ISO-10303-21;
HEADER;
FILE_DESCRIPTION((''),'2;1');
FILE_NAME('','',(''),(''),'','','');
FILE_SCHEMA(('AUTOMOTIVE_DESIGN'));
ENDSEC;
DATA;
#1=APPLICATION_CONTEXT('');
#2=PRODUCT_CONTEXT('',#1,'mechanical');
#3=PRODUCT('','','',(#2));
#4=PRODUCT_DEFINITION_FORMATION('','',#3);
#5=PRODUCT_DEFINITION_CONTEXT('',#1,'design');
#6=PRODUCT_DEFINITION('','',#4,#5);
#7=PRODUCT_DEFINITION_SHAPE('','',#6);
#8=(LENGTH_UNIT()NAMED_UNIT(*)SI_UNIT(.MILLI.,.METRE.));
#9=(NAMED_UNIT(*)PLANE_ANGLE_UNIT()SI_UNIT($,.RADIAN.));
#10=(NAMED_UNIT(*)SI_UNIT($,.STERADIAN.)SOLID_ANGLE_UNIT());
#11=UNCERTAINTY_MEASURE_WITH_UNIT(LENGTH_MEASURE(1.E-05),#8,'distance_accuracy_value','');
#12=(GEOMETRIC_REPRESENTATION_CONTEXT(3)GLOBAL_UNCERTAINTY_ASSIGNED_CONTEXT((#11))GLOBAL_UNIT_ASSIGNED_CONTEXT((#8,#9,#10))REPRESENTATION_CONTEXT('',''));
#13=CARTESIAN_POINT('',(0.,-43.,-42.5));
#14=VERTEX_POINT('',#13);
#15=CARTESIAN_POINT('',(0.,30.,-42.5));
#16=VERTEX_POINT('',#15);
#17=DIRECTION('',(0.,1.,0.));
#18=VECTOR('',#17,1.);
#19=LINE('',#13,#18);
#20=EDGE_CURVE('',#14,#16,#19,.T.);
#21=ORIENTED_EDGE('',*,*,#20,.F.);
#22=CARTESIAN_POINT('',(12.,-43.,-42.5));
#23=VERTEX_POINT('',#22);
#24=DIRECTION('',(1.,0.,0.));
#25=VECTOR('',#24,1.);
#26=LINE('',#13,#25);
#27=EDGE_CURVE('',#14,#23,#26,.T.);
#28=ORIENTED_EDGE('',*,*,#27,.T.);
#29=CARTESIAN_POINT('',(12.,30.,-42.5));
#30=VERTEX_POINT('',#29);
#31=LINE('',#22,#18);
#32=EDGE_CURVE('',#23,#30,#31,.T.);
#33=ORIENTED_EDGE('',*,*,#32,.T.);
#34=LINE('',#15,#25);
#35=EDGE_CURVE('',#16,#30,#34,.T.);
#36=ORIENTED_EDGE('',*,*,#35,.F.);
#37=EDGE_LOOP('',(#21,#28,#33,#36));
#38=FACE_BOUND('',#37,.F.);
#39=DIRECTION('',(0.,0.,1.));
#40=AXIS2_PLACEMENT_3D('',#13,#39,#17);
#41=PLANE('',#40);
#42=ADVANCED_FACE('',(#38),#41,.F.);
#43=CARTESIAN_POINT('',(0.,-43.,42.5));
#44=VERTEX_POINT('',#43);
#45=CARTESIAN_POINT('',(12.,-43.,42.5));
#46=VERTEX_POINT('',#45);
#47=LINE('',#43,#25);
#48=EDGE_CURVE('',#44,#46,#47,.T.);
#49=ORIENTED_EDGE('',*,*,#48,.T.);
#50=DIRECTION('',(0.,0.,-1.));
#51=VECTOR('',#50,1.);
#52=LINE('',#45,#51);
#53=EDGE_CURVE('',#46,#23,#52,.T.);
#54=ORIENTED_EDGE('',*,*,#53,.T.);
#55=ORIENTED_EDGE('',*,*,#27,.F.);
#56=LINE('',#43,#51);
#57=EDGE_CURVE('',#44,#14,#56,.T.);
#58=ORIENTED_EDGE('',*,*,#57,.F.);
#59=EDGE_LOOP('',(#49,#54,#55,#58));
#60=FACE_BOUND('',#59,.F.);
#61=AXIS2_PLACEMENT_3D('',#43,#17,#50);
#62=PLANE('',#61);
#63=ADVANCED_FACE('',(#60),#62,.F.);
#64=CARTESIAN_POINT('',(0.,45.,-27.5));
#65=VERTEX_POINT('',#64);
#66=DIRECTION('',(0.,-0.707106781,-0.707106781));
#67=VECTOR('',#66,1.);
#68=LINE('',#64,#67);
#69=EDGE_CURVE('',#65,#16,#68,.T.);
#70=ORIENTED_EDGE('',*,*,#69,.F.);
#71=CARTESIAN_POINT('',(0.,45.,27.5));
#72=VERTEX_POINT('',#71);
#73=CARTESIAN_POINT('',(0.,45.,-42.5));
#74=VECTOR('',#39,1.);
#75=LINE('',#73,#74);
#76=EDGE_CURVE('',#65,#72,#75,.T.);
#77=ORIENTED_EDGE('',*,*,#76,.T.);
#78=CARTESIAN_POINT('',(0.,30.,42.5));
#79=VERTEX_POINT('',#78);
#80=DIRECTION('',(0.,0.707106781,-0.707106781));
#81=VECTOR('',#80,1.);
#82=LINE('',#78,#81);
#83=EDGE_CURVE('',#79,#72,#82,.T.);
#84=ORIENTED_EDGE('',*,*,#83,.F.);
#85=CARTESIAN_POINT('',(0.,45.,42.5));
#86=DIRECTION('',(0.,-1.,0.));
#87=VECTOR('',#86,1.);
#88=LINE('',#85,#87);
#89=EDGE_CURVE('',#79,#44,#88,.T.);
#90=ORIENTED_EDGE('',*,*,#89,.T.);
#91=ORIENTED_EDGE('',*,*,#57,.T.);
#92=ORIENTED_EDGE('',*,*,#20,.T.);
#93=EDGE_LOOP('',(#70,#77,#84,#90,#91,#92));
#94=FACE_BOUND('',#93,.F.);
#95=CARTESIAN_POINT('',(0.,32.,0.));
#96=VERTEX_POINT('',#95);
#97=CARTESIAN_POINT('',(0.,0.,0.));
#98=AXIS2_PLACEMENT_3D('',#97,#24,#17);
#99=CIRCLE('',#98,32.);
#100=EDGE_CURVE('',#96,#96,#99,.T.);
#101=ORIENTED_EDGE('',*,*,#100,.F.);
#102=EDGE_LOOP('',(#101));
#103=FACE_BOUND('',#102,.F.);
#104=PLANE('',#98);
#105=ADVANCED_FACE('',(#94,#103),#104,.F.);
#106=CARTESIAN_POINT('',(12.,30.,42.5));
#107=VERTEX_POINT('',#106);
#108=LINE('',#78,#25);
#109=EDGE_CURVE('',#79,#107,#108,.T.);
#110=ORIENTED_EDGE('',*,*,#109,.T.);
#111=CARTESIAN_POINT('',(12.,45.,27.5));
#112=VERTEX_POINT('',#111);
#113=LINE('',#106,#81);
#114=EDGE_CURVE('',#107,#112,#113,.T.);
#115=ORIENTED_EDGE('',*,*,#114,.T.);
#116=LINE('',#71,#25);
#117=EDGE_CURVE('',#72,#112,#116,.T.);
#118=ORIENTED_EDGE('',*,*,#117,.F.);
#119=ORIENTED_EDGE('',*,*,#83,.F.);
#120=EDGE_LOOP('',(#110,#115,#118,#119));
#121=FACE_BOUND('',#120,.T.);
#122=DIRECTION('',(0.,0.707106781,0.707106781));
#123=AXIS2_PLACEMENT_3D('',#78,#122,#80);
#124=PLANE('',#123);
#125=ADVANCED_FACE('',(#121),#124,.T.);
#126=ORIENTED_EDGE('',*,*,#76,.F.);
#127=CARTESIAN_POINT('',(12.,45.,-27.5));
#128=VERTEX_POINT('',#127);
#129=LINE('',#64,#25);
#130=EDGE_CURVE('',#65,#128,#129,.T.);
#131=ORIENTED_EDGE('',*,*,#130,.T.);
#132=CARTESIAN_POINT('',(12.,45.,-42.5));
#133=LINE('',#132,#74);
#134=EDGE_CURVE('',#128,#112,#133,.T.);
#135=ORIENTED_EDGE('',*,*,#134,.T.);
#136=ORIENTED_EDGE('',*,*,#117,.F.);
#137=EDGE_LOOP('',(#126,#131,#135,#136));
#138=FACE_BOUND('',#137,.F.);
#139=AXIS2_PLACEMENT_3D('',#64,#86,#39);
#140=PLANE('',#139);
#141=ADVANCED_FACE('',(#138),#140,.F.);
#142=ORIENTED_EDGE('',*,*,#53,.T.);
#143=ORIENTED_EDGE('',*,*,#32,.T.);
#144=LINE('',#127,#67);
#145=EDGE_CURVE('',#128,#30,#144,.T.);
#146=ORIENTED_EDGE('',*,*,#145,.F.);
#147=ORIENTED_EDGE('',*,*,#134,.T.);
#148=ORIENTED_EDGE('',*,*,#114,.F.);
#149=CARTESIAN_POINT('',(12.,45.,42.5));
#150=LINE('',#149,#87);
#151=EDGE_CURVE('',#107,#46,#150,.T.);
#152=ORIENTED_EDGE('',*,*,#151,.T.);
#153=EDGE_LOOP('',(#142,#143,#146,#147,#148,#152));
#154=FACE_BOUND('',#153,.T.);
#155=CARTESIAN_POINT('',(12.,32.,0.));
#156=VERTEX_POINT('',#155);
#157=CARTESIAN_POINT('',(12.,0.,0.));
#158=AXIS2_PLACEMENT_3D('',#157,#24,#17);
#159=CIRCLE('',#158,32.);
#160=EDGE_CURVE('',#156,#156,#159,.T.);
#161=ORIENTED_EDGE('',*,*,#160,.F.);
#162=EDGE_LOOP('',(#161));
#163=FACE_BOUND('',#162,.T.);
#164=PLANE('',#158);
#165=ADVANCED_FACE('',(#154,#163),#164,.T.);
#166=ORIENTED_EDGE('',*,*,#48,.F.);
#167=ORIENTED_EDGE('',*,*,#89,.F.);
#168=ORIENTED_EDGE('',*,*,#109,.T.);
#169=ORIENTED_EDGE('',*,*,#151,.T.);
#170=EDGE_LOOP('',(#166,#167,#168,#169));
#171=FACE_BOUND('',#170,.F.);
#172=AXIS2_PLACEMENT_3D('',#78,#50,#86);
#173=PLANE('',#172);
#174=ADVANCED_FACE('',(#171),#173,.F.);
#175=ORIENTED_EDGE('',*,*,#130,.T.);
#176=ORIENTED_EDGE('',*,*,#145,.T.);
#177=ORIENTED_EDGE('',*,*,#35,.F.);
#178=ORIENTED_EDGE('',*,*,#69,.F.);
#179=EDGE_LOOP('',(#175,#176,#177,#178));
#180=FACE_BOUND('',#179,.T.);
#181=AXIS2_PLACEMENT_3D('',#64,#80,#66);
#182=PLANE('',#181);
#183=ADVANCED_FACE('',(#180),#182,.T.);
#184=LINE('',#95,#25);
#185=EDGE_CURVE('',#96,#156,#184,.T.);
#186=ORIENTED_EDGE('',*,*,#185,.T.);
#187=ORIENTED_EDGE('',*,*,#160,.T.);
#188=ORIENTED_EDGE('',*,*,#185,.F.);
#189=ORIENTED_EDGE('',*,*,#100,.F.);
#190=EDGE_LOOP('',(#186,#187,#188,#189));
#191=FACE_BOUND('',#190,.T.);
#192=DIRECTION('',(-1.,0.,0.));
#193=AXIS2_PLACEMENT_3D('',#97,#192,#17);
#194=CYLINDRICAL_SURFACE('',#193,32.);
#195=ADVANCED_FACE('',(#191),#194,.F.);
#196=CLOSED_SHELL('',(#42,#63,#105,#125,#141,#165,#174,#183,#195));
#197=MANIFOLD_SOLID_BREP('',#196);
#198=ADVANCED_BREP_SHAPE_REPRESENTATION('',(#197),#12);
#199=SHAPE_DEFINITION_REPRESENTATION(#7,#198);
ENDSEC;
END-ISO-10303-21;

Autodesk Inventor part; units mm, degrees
ref_plane "YZ Plane" through (0, 0, 0) normal (1, 0, 0) x (0, 1, 0)
ref_plane "XZ Plane" through (0, 0, 0) normal (0, 1, 0) x (-1, 0, 0)
ref_plane "XY Plane" through (0, 0, 0) normal (0, 0, 1) x (1, 0, 0)
sketch "Sketch1" plane through (0, 0, 0) normal (1, 0, 0) x (0, 1, 0)
  circle A0 centre (0, 0) radius 32
  line L0 (45, 42.5) -> (-43, 42.5)
  line L1 (-43, 42.5) -> (-43, -42.5)
  line L2 (-43, -42.5) -> (45, -42.5)
  line L3 (45, -42.5) -> (45, 42.5)
  line L4 (45, 42.5) -> (-43, -42.5) construction
  line L5 (-43, 42.5) -> (45, -42.5) construction
  line L6 (30, 42.5) -> (45, 27.5)
  line L7 (45, -27.5) -> (30, -42.5)
  line L8 (-43, 0) -> (45, 0) construction
  point P0 (1, 0)
  point P1 (1, 0)
  dimension "d0" = 64
  dimension "d1" = 88
  dimension "d2" = 43
  dimension "d3" = 85
  dimension "d4" = 15
  dimension "d5" = 45
extrude "Extrusion1" add sketch "Sketch1" along normal blind 12 contours L6 L3 L7 L2 L1 L0
properties part number "body_motor_fix_board_right"
